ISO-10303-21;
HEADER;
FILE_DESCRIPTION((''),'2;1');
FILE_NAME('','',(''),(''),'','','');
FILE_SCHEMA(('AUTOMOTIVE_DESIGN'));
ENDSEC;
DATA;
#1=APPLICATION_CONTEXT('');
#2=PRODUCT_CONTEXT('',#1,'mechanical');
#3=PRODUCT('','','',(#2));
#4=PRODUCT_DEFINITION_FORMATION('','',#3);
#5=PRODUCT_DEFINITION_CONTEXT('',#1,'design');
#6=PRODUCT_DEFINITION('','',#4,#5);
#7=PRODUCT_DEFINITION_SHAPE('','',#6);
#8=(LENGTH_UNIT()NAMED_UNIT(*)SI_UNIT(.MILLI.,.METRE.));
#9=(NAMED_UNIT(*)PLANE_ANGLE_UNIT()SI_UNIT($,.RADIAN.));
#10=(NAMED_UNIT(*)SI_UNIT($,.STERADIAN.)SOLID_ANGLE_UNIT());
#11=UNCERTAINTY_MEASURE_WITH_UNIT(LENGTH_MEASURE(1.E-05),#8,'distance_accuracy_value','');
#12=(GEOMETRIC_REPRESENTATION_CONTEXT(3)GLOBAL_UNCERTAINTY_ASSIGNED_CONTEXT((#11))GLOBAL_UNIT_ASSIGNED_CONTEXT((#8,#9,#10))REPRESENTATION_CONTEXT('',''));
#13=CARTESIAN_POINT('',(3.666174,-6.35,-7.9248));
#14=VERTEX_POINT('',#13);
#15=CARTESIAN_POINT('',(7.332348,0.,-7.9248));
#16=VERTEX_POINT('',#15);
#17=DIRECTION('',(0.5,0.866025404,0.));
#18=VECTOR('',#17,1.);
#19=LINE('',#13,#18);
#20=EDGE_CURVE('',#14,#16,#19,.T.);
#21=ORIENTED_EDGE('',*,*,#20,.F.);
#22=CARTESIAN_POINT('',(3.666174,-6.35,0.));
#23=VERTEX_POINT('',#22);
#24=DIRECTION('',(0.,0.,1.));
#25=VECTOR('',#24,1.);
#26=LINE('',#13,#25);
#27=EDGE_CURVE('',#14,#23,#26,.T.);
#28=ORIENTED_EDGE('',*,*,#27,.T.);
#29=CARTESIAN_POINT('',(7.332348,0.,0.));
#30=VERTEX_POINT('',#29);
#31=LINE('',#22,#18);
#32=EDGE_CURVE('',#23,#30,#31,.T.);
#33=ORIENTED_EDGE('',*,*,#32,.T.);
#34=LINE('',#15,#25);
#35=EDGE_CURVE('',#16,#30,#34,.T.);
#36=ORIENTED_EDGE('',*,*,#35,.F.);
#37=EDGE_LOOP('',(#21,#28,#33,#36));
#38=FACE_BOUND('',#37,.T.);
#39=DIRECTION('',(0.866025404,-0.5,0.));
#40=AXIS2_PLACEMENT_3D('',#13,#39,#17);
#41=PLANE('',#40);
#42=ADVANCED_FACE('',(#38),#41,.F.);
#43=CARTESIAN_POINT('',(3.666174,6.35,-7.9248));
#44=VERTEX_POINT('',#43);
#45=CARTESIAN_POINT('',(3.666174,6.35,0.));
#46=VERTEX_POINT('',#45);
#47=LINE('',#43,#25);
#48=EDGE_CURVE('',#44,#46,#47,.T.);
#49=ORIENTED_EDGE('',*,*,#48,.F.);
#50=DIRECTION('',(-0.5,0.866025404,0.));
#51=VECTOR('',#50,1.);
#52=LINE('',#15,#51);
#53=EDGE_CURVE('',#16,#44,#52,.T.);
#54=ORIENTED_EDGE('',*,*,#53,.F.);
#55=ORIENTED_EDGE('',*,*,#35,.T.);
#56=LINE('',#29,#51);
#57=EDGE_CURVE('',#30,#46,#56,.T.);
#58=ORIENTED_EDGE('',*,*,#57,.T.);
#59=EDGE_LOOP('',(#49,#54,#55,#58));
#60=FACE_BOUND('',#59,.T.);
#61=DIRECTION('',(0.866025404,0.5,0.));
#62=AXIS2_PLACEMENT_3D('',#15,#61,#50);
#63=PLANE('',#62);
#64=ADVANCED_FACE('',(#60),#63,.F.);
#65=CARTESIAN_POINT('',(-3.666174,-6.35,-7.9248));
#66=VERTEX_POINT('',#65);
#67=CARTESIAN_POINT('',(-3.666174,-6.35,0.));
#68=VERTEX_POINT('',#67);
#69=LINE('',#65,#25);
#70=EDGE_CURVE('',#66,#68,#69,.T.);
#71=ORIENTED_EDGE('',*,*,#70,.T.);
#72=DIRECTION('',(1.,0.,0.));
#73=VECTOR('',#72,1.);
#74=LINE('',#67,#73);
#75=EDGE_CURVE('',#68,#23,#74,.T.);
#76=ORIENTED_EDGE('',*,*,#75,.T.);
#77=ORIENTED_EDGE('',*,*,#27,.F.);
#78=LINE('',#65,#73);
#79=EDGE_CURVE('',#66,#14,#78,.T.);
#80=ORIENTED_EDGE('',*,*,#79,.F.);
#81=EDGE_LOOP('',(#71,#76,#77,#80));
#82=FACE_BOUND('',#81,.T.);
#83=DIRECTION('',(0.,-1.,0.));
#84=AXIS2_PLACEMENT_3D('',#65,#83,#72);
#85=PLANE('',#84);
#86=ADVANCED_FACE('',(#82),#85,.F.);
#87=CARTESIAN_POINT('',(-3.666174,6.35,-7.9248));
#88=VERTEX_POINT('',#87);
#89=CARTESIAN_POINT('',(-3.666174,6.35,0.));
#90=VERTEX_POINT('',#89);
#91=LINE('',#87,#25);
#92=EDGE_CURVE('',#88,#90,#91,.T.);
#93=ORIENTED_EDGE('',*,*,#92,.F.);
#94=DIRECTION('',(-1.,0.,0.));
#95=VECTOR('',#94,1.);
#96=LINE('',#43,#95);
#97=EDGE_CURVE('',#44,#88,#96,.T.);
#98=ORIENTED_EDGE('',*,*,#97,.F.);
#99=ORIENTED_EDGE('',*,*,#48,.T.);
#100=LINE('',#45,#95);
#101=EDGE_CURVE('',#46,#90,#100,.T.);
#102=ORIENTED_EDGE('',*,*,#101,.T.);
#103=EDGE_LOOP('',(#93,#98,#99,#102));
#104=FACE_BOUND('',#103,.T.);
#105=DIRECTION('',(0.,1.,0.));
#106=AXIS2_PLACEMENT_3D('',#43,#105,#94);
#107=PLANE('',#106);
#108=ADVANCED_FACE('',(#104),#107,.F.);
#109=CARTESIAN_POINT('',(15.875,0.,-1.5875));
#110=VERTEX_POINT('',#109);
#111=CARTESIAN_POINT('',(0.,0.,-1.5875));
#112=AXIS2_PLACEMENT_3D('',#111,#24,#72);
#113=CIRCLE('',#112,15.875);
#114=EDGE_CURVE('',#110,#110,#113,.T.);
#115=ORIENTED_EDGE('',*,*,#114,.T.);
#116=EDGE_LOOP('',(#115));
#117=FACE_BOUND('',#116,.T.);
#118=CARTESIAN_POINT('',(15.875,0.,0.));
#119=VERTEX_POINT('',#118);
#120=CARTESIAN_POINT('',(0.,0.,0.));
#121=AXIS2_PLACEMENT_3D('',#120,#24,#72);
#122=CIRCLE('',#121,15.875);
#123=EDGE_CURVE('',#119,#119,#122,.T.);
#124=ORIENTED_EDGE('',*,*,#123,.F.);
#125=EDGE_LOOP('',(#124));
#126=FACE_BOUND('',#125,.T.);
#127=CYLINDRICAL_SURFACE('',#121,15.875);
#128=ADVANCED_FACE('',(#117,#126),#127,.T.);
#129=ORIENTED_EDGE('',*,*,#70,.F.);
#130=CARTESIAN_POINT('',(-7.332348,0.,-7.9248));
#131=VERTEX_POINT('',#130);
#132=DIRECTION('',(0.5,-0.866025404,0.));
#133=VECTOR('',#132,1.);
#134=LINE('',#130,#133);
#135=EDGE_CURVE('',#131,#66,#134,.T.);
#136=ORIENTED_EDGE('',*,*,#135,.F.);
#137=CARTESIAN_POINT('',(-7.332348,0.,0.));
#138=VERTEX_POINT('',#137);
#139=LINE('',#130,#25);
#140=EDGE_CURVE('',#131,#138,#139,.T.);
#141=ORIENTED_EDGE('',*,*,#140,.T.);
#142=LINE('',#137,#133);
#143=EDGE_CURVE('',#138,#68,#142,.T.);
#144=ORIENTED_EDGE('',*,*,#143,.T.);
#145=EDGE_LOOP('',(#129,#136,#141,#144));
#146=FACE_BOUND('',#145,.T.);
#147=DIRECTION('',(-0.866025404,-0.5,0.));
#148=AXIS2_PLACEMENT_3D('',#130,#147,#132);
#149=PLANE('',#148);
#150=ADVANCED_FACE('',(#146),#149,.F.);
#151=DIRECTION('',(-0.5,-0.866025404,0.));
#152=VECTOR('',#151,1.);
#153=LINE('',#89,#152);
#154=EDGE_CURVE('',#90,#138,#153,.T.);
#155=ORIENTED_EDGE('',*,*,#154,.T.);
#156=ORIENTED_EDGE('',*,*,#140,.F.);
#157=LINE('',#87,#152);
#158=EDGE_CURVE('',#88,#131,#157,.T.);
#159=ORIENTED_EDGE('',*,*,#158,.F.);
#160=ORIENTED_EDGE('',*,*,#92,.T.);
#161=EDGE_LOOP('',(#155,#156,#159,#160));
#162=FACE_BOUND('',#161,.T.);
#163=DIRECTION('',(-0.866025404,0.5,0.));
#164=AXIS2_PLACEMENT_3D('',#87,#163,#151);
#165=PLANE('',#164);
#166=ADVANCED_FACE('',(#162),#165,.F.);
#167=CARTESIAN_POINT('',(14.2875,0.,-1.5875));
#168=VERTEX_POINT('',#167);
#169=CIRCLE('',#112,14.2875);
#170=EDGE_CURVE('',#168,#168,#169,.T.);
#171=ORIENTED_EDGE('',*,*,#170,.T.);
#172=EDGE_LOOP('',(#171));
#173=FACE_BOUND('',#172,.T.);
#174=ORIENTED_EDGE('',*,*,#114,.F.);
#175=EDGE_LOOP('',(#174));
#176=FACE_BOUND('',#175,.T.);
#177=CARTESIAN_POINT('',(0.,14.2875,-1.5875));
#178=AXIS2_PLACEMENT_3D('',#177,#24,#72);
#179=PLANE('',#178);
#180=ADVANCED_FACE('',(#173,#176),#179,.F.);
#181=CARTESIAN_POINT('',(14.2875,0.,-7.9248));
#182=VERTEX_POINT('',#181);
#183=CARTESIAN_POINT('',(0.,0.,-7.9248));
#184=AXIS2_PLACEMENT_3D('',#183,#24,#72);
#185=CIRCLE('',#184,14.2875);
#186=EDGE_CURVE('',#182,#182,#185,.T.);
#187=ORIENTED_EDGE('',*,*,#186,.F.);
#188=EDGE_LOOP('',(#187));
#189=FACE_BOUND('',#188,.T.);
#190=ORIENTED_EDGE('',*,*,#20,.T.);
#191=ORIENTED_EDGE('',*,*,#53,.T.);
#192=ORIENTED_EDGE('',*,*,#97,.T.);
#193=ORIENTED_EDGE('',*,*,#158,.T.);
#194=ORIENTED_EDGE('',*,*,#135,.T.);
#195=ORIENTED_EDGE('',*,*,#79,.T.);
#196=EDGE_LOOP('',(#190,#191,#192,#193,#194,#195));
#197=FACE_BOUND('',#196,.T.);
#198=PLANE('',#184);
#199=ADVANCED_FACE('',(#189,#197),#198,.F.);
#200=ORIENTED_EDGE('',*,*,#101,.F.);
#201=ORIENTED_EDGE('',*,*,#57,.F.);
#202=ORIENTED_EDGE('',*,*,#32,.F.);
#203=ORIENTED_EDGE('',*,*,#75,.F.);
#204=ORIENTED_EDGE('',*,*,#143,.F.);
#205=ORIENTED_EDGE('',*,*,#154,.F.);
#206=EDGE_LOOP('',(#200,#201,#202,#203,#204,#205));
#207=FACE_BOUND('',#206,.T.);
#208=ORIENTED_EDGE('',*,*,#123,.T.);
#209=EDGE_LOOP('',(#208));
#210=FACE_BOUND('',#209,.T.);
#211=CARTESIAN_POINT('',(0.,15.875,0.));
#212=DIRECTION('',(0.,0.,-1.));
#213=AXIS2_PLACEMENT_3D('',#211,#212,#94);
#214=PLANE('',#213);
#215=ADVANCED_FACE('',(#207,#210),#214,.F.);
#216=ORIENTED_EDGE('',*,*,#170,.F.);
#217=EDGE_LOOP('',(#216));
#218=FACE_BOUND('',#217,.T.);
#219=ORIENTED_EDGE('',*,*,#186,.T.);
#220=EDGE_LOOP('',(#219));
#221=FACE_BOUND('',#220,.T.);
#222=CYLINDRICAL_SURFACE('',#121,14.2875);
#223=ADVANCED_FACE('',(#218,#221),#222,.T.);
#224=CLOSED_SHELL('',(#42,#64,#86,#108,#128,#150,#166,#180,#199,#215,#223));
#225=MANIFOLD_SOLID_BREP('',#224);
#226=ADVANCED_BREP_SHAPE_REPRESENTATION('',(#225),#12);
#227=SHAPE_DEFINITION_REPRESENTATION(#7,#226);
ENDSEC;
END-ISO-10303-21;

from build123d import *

# Parameters (mm, degrees)
CUT_EXTRUDE1_DEPTH = 24.808269678


with BuildPart() as part:
    # Sketch1 → Revolve1 (revolve)
    with BuildSketch(Plane(origin=(0, 0, 0), x_dir=(0, 0, -1), z_dir=(1, 0, 0)), mode=Mode.PRIVATE) as revolve1_sk:
        Polygon((0, 15.875), (0, 0), (7.9248, 0), (7.9248, 14.2875), (1.5875, 14.2875), (1.5875, 15.875), align=None)
    revolve(revolve1_sk.sketch.rotate(Axis((0, 0, 0), (0, 0, -1)), 90), axis=Axis((0, 0, 0), (0, 0, -1)))

    # Sketch2 → Cut-Extrude1 (cut, through all)
    with BuildSketch(Plane.XY):
        Polygon((7.332348419, 0), (3.666174209, 6.35), (-3.666174209, 6.35), (-7.332348419, 0), (-3.666174209, -6.35), (3.666174209, -6.35), align=None)
    extrude(amount=-CUT_EXTRUDE1_DEPTH, mode=Mode.SUBTRACT)


solid = part.part
